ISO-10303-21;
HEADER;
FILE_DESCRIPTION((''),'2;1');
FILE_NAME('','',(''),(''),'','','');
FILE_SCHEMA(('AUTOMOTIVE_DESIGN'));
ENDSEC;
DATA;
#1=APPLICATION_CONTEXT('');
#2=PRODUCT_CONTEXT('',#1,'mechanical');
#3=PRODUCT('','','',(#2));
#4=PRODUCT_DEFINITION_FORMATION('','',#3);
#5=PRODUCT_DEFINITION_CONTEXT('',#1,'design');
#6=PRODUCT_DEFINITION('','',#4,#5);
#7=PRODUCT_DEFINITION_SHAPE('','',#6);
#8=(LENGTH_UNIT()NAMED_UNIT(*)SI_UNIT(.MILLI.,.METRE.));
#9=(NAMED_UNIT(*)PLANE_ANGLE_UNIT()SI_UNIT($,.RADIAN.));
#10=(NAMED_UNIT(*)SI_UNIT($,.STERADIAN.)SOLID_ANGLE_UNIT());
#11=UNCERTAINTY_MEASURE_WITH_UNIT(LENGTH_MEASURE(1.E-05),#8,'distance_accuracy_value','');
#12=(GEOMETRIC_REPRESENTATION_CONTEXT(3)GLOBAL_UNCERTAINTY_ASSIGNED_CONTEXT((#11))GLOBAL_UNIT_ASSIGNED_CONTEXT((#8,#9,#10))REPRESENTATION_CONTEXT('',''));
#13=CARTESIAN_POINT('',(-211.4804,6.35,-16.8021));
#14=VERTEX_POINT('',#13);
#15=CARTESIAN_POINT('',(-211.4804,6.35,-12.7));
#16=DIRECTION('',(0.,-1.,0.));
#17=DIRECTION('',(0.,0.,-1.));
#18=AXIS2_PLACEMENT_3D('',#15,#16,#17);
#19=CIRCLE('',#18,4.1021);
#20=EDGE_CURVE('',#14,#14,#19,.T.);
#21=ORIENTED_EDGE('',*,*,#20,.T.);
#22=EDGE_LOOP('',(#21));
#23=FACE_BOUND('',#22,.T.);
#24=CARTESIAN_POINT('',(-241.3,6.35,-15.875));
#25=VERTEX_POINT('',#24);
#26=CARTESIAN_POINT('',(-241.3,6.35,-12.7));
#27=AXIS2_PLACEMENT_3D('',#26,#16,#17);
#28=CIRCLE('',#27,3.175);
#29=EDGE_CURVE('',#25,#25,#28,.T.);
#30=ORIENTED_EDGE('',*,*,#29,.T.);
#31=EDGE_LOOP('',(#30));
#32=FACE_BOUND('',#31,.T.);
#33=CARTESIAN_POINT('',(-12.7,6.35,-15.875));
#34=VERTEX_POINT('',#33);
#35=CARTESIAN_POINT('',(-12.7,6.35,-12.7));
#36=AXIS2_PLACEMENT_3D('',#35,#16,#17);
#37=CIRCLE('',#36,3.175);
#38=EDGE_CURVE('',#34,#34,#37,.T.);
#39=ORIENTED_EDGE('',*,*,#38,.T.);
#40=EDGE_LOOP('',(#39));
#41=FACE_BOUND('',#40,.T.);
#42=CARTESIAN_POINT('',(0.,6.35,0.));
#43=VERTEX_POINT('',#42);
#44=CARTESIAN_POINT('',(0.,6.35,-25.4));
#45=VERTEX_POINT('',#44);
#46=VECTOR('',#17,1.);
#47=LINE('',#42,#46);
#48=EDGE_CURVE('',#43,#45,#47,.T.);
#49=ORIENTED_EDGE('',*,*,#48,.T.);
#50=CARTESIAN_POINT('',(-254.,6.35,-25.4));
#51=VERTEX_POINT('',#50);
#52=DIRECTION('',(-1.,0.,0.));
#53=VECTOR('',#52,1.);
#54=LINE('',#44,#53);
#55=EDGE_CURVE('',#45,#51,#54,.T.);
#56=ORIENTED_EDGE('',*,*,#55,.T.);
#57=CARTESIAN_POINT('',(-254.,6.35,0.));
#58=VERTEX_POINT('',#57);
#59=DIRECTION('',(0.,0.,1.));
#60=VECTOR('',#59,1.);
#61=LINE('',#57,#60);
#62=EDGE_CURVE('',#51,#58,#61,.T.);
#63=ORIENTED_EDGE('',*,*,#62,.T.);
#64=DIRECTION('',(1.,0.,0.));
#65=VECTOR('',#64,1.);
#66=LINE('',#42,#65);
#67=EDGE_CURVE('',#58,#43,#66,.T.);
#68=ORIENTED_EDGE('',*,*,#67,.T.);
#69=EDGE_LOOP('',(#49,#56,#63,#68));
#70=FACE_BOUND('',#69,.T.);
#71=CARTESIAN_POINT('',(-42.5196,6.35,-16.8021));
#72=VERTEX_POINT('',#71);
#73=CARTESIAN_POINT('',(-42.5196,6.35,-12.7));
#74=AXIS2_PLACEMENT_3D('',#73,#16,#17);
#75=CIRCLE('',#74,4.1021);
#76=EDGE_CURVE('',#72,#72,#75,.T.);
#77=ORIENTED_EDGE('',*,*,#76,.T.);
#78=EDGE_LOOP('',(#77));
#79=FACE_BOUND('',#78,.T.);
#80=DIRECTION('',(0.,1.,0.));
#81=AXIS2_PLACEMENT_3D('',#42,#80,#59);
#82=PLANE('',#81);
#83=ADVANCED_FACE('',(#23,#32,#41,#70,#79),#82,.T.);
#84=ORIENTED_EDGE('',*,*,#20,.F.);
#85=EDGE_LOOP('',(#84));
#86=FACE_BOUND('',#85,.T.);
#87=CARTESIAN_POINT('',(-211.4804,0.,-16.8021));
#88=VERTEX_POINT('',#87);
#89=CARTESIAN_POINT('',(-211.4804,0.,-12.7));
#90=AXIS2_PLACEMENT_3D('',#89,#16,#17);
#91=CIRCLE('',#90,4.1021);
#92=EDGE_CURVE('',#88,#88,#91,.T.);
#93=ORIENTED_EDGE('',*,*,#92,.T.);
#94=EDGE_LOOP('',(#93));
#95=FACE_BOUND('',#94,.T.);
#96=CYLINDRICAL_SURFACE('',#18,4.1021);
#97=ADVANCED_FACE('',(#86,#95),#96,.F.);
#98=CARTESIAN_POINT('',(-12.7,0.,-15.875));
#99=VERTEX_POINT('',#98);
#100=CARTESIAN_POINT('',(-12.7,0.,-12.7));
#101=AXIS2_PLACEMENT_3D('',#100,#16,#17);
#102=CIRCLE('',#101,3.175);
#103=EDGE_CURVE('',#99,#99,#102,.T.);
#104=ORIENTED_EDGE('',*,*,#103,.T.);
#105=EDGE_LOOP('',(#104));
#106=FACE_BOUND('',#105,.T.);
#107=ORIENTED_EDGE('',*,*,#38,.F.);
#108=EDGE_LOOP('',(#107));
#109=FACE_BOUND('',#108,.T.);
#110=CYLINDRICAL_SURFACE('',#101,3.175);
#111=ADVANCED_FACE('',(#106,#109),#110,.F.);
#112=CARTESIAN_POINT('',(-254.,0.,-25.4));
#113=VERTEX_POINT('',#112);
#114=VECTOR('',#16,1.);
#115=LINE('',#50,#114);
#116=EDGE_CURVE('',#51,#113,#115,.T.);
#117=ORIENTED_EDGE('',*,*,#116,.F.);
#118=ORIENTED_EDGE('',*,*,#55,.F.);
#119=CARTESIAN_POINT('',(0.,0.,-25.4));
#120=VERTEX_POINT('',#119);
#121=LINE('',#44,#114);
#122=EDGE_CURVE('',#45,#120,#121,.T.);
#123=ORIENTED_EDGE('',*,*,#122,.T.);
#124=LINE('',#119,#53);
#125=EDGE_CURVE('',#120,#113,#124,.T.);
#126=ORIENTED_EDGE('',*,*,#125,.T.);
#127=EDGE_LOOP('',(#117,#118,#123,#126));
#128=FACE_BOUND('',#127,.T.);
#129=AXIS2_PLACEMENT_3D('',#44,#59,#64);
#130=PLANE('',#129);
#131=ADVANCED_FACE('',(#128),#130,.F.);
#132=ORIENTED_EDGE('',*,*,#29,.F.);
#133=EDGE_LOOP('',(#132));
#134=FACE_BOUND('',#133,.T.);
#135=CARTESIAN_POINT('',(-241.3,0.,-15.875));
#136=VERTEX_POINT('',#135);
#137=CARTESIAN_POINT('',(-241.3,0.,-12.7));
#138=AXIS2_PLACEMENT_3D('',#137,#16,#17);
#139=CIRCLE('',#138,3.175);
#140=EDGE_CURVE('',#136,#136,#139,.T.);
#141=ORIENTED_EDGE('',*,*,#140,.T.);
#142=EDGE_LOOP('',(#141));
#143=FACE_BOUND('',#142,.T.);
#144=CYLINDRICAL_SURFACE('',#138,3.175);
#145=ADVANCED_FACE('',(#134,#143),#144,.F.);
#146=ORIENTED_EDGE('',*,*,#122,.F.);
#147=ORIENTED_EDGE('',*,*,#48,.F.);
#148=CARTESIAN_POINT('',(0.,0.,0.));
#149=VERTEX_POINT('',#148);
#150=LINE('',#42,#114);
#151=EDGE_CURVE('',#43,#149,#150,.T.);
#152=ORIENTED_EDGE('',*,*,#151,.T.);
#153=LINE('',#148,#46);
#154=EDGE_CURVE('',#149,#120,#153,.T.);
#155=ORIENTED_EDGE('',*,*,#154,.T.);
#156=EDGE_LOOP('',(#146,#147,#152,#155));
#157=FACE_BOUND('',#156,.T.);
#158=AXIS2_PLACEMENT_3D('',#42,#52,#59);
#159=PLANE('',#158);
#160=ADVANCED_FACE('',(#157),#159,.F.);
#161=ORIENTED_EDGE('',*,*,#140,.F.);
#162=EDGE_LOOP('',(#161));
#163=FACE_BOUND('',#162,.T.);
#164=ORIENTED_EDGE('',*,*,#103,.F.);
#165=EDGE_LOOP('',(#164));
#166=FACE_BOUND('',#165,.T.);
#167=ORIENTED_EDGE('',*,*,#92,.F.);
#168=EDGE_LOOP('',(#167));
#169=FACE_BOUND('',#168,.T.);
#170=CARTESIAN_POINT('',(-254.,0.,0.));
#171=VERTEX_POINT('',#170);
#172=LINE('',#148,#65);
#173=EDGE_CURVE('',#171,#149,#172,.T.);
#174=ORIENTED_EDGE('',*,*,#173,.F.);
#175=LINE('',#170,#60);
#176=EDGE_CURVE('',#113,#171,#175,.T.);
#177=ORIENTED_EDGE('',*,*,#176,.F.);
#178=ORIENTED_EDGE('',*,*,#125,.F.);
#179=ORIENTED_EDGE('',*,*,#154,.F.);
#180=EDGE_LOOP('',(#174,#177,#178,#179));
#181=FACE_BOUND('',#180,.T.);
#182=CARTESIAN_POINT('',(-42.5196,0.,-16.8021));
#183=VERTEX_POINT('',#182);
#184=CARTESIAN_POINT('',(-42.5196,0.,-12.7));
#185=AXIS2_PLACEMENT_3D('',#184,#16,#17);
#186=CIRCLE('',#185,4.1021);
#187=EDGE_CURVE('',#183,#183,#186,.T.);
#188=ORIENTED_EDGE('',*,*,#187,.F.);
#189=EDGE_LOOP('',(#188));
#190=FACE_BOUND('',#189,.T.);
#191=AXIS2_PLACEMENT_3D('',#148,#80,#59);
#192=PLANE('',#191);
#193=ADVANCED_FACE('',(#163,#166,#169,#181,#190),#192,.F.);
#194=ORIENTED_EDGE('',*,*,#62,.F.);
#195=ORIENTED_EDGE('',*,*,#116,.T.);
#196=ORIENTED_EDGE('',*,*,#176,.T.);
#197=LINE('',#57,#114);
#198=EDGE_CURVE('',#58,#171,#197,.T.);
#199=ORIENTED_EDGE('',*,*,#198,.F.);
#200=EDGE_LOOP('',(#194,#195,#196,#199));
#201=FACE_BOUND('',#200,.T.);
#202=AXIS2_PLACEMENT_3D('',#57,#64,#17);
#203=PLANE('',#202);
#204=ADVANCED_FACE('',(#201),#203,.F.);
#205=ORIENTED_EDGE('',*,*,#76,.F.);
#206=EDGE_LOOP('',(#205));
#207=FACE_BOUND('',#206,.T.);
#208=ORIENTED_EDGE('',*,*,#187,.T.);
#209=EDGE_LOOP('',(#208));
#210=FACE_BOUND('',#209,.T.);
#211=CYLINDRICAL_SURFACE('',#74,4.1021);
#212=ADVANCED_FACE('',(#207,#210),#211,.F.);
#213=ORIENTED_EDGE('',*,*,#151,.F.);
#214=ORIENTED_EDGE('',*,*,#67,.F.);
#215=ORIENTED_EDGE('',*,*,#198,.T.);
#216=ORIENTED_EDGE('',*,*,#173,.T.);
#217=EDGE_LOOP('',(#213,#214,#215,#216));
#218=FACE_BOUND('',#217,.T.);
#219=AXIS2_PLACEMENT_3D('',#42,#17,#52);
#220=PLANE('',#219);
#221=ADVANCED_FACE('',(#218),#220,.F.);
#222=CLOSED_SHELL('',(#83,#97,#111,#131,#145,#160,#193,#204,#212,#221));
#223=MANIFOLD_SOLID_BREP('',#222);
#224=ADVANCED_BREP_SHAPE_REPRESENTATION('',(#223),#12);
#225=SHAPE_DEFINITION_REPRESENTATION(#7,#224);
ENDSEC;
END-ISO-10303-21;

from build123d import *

# Parameters (mm, degrees)
SKETCH1_W                   = 254
SKETCH1_H                   = 25.4
BOSS_EXTRUDE1_DEPTH         = 6.35
SKETCH4_R                   = 4.1021
CUT_EXTRUDE4_DEPTH          = 256.345809639
F_1_4_0_25_DIAMETER_HOLE1_D = 6.35


with BuildPart() as part:
    # Sketch1 → Boss-Extrude1 (new body)
    with BuildSketch(Plane(origin=(0, 0, 0), x_dir=(1, 0, 0), z_dir=(0, 1, 0))):
        with Locations((-127, 12.7)):
            Rectangle(SKETCH1_W, SKETCH1_H)
    extrude(amount=BOSS_EXTRUDE1_DEPTH)

    # Sketch4 → Cut-Extrude4 (cut, through all)
    with BuildSketch(Plane.XZ):
        with Locations(Location((-211.4804, -12.7, 0), (0, 0, 270))):
            Circle(SKETCH4_R)
        with Locations(Location((-42.5196, -12.7, 0), (0, 0, 270))):
            Circle(SKETCH4_R)
    extrude(amount=-CUT_EXTRUDE4_DEPTH, mode=Mode.SUBTRACT)

    # 1/4 (0.25) Diameter Hole1 (through all)
    with Locations(Plane(origin=(0, 0, 0), x_dir=(-1, 0, 0), z_dir=(0, -1, 0))):
        with Locations((241.3, 12.7), (12.7, 12.7)):
            Hole(F_1_4_0_25_DIAMETER_HOLE1_D / 2)


solid = part.part
